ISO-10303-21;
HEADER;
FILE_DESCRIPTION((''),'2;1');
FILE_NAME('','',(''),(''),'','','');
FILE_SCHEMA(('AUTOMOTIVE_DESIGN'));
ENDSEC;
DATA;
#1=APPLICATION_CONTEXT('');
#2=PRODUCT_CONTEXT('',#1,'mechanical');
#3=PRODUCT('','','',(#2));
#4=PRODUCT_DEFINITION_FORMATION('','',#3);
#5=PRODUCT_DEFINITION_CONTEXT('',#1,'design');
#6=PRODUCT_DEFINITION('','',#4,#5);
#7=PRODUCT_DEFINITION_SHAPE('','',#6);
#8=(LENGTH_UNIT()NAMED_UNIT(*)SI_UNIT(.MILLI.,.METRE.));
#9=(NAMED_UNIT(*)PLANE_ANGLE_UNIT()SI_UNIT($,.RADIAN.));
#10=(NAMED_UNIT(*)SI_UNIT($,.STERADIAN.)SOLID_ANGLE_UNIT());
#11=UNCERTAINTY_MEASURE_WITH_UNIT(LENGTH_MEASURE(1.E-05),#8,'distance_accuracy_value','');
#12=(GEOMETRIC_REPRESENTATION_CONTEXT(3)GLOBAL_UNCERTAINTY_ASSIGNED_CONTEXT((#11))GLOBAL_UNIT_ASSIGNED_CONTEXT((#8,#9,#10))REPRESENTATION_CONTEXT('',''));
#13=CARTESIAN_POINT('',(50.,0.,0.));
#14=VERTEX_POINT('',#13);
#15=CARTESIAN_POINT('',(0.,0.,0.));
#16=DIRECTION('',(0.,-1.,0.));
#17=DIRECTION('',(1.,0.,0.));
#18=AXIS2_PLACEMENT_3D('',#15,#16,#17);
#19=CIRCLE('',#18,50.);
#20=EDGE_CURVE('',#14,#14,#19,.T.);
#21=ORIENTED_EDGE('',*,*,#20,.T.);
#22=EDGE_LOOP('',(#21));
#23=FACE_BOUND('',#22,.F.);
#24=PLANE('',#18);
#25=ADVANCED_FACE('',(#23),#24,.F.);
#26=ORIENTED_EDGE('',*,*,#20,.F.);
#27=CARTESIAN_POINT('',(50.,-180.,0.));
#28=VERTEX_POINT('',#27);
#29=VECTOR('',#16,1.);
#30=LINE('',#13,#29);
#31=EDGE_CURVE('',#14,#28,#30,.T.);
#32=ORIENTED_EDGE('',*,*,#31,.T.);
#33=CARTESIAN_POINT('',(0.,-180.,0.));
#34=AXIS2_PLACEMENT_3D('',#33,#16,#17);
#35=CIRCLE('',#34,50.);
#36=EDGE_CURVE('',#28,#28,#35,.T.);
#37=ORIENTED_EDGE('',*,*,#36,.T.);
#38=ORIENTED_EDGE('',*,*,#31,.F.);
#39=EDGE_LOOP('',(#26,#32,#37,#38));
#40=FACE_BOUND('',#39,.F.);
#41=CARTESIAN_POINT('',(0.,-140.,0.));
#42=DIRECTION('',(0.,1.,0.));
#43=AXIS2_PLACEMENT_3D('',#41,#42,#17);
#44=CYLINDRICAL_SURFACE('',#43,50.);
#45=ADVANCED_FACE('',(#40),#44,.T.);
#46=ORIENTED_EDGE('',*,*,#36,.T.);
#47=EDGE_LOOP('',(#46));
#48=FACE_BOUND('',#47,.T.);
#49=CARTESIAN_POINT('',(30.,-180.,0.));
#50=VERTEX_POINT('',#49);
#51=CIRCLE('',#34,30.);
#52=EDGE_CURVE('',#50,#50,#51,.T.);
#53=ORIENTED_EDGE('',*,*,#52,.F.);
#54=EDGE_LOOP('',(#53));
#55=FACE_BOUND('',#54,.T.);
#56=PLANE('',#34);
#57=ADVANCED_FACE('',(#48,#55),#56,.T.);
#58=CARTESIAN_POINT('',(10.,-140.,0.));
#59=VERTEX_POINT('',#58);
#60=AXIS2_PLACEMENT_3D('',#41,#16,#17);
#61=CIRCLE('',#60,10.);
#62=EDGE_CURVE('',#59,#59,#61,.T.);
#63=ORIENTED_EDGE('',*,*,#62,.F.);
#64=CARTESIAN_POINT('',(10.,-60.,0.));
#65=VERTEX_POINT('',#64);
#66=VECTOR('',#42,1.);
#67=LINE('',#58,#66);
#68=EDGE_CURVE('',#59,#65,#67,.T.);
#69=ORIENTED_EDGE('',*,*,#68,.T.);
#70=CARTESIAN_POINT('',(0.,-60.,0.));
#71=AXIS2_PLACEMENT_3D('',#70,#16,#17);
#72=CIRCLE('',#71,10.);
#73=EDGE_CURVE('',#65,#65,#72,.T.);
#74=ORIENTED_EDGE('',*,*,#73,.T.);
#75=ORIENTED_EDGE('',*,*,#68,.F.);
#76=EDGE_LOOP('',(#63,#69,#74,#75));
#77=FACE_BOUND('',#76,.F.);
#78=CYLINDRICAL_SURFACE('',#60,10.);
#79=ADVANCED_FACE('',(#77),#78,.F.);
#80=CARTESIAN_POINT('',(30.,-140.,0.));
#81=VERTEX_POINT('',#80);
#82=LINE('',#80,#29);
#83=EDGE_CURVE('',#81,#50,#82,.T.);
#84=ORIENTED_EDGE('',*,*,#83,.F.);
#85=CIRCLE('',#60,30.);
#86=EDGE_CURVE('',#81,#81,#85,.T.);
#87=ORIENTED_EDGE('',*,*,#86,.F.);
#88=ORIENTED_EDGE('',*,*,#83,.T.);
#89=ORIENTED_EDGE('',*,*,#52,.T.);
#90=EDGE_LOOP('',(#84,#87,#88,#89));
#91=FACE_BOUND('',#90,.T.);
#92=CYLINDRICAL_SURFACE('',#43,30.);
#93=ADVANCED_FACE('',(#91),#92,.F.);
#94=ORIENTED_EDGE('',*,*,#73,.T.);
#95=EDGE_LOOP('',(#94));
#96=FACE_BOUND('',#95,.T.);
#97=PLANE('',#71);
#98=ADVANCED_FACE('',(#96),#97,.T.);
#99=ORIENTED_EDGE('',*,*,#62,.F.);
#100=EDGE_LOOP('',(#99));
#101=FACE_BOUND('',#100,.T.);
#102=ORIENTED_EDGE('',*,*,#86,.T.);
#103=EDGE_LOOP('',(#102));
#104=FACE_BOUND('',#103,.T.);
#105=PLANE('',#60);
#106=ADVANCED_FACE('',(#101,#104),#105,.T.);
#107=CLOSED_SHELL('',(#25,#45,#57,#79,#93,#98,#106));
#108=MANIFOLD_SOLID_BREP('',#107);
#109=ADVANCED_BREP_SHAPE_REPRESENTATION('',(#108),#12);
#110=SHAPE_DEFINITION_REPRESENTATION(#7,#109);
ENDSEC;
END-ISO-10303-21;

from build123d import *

# Parameters (mm, degrees)
F0_R     = 50
F1_DEPTH = 140
F2_R     = 50
F2_R_2   = 30
F3_DEPTH = 40
F4_R     = 10
F5_DEPTH = 80


with BuildPart() as f1:
    # F0 (on Front) → F1 (new body)
    with BuildSketch(Plane.XZ):
        Circle(F0_R)
    extrude(amount=F1_DEPTH)

    # F2 (on face) → F3 (join)
    with BuildSketch(Plane.XZ.offset(140)):
        Circle(F2_R)
        Circle(F2_R_2, mode=Mode.SUBTRACT)
    extrude(amount=F3_DEPTH)

    # F4 (on face) → F5 (cut)
    with BuildSketch(Plane.XZ.offset(140)):
        Circle(F4_R)
    extrude(amount=-F5_DEPTH, mode=Mode.SUBTRACT)


solid = f1.part
